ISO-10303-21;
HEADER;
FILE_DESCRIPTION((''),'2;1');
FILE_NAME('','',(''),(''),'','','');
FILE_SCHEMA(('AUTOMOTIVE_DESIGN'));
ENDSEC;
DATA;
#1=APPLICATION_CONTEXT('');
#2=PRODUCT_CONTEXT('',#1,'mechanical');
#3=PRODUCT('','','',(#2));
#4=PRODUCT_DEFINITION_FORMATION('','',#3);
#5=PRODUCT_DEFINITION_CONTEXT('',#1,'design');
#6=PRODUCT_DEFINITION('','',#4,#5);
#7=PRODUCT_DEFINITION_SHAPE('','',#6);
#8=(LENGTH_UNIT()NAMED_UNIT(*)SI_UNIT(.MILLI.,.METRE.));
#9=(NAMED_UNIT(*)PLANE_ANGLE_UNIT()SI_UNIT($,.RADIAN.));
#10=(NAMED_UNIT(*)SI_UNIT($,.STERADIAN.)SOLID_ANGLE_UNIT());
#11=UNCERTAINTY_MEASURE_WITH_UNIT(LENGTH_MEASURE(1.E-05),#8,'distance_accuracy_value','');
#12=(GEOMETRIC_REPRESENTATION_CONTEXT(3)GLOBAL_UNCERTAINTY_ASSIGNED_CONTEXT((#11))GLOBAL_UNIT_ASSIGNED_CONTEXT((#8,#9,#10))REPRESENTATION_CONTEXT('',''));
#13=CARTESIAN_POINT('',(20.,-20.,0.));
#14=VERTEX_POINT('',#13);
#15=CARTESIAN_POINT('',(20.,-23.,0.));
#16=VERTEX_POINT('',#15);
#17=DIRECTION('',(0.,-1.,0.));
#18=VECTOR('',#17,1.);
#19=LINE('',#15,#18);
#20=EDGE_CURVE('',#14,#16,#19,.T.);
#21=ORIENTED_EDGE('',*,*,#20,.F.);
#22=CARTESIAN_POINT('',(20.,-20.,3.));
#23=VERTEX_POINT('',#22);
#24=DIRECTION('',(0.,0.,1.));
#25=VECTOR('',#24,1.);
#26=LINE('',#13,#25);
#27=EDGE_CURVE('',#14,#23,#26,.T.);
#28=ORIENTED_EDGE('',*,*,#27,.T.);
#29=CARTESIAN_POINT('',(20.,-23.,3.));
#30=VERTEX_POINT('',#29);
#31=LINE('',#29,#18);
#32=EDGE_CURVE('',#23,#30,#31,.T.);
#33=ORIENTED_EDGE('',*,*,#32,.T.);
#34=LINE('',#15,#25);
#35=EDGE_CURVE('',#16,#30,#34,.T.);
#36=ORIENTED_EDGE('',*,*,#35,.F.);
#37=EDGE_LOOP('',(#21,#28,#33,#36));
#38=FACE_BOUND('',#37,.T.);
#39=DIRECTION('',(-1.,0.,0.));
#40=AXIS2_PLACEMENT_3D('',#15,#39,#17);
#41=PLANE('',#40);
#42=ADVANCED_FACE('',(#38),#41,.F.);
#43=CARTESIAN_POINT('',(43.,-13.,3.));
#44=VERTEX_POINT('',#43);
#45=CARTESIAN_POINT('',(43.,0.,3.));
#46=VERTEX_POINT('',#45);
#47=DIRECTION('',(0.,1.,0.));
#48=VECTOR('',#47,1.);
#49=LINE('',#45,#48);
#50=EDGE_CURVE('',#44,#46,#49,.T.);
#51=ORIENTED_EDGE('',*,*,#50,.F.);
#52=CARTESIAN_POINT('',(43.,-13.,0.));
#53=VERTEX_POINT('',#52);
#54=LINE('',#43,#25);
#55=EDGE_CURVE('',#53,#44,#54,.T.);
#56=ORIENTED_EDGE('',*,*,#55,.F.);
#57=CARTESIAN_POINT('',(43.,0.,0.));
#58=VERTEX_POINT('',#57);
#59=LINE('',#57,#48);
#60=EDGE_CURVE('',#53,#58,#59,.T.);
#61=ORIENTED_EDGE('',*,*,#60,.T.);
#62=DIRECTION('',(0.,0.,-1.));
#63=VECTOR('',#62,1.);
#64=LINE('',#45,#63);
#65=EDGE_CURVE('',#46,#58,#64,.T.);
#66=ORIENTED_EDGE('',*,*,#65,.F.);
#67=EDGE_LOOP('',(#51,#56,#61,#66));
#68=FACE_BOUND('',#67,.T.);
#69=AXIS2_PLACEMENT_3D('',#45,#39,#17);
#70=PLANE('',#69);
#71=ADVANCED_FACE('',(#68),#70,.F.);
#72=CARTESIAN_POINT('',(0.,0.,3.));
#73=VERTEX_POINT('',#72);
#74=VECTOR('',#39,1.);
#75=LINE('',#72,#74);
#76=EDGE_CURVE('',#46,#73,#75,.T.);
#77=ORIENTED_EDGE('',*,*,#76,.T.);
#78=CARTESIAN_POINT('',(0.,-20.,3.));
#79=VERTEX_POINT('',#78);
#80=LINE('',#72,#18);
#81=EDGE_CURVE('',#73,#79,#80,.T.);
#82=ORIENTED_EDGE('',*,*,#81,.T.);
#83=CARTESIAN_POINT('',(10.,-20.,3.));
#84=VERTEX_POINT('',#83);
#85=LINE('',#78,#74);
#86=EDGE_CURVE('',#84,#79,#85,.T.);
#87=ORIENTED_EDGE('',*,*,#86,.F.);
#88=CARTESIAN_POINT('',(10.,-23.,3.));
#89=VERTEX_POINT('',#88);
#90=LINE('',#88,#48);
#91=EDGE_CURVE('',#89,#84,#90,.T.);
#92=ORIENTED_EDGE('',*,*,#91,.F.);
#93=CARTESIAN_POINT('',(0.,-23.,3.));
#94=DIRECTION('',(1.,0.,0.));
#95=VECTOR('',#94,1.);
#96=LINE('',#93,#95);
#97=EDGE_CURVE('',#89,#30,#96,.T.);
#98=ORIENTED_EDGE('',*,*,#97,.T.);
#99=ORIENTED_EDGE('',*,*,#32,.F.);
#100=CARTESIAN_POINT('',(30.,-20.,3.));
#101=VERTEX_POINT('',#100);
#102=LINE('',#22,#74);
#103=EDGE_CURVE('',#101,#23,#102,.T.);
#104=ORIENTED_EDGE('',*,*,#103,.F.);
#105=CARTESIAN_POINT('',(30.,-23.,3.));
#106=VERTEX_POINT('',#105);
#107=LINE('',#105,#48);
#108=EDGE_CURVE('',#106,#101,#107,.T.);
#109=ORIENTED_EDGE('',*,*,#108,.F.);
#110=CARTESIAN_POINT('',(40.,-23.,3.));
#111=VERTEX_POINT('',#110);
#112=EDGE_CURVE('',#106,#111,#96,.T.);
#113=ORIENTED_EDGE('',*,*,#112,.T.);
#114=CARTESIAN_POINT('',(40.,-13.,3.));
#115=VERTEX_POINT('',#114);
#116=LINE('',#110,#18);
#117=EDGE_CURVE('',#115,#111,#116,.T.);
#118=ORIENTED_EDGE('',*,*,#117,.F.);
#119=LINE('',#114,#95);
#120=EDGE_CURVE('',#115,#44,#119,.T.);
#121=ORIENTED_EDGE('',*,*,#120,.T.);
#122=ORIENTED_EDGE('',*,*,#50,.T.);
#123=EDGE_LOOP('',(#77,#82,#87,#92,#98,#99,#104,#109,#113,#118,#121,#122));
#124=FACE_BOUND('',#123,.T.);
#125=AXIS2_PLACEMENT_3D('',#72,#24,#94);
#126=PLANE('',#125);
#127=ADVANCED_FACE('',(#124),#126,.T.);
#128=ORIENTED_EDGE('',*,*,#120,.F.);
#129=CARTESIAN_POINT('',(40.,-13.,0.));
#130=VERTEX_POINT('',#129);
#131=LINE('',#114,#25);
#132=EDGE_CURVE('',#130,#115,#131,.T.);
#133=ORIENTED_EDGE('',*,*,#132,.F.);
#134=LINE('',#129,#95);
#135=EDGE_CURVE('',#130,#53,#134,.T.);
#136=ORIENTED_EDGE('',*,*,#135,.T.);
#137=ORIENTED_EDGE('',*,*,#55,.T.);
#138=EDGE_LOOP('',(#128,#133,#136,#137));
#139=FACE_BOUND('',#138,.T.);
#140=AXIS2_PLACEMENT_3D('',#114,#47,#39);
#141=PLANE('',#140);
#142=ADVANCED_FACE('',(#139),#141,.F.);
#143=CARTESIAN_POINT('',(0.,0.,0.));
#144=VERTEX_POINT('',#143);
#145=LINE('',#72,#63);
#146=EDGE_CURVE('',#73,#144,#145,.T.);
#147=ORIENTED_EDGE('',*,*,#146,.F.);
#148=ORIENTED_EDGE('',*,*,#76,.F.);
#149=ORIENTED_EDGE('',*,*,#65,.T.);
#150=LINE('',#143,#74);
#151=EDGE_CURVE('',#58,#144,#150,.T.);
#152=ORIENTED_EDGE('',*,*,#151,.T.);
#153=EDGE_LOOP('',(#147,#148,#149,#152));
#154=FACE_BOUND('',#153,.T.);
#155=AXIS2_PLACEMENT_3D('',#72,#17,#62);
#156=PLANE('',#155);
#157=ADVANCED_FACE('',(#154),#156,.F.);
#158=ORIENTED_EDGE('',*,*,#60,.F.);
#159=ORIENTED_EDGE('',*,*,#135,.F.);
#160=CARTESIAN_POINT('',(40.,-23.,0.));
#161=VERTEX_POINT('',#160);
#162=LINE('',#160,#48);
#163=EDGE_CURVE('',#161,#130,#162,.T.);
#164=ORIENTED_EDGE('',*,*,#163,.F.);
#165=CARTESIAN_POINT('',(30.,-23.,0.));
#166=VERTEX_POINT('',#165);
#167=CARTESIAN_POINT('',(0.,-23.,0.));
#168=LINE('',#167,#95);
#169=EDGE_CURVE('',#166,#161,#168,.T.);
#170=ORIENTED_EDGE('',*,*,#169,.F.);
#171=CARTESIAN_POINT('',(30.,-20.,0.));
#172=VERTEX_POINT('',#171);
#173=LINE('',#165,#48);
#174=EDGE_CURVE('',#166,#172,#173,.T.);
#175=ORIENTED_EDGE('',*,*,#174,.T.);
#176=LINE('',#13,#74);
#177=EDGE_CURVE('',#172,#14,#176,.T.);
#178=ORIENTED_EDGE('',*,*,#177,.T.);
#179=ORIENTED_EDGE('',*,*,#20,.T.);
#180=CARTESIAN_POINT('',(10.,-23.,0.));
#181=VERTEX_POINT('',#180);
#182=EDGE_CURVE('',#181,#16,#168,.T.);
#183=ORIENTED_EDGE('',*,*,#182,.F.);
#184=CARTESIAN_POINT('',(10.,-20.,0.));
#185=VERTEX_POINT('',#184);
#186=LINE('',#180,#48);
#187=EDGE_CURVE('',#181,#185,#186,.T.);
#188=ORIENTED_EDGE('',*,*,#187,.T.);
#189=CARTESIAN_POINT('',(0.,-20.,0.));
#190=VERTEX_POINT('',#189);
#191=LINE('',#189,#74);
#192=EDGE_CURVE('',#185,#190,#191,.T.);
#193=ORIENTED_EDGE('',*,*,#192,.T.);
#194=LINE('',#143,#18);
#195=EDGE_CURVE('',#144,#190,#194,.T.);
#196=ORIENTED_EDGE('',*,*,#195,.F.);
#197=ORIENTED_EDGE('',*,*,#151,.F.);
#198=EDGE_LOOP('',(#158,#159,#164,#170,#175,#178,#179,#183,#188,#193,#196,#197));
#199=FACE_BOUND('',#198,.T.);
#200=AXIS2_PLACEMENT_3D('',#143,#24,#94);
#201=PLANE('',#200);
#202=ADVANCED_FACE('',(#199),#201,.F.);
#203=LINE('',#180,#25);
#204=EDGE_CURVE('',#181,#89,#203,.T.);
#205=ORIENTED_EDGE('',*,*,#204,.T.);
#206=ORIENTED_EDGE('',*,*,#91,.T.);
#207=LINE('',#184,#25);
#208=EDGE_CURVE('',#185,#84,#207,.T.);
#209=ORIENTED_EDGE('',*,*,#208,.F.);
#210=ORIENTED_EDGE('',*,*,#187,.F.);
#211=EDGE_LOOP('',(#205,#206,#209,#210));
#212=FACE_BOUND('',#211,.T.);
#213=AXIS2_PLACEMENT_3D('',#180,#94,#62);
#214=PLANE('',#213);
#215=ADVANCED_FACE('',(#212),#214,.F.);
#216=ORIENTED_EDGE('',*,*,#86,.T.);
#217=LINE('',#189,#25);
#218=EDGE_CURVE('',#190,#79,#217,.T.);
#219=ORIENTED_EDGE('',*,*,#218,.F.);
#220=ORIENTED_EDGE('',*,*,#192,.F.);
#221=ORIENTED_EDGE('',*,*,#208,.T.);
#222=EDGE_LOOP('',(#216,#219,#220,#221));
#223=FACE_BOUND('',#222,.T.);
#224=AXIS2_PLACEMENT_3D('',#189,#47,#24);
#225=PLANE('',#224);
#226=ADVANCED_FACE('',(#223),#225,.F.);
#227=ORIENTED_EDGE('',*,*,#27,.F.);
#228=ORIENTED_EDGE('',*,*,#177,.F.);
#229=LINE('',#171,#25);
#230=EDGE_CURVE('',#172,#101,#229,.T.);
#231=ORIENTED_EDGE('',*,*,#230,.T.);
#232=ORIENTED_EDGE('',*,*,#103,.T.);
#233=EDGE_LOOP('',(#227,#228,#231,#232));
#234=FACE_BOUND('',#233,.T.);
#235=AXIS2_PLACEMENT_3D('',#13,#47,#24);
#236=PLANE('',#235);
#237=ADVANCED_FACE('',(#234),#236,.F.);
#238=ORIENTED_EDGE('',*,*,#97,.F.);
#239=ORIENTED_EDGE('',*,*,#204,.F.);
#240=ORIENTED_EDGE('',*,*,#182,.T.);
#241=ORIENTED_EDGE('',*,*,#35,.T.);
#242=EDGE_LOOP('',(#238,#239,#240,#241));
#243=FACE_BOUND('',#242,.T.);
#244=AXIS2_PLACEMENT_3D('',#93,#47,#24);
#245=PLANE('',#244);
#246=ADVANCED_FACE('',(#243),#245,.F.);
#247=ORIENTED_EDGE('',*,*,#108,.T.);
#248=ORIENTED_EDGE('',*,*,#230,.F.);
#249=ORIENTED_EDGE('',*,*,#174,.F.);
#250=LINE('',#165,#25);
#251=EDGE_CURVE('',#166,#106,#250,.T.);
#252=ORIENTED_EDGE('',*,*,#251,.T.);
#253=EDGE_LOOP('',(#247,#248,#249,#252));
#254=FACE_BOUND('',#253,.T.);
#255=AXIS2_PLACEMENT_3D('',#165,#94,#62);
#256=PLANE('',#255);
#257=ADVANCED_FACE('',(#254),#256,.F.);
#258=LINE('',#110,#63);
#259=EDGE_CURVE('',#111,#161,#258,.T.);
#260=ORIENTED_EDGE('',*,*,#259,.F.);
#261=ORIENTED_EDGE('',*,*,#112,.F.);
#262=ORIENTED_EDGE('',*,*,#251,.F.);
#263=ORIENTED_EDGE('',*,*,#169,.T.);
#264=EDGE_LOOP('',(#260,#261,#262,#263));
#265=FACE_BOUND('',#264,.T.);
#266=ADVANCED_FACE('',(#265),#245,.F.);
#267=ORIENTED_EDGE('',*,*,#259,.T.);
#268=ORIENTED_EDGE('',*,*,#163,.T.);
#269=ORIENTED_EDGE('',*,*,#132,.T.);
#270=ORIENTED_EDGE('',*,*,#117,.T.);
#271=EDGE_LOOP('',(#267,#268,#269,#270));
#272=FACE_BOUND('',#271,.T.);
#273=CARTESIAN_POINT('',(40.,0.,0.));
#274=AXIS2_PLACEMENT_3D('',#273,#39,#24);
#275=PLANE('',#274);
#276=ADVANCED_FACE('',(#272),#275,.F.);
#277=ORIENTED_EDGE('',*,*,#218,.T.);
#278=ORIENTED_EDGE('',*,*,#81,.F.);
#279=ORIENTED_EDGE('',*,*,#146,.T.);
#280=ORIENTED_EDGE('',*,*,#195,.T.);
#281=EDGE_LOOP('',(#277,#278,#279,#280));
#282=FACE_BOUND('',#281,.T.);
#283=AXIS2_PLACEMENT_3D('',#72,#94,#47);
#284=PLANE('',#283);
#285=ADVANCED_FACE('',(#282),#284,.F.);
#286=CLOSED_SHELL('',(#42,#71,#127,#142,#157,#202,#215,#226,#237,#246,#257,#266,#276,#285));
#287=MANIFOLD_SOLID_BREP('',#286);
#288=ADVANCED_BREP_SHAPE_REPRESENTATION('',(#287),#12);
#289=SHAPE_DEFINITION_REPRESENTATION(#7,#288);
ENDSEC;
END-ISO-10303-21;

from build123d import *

# Parameters (mm, degrees)
ESQUISSE1_W                = 43
ESQUISSE1_H                = 23
BOSS_EXTRU_1_DEPTH         = 3
ESQUISSE2_W                = 3
ESQUISSE2_H                = 10
ENL_V_MAT_EXTRU_1_DEPTH    = 3
ESQUISSE3_W                = 10
ESQUISSE3_H                = 3
ENL_V_MAT_EXTRU_2_DEPTH    = 3
R_P_TITION_LIN_AIRE1_COUNT = 2
R_P_TITION_LIN_AIRE1_PITCH = 20


with BuildPart() as part:
    # Esquisse1 → Boss.-Extru.1 (new body)
    with BuildSketch(Plane.XY):
        with Locations((21.5, -11.5)):
            Rectangle(ESQUISSE1_W, ESQUISSE1_H)
    extrude(amount=BOSS_EXTRU_1_DEPTH)

    # Esquisse2 → Enlèv. mat.-Extru.1 (cut)
    with BuildSketch(Plane(origin=(43, 0, 0), x_dir=(0, 0, -1), z_dir=(1, 0, 0))):
        with Locations((-1.5, -18)):
            Rectangle(ESQUISSE2_W, ESQUISSE2_H)
    extrude(amount=-ENL_V_MAT_EXTRU_1_DEPTH, mode=Mode.SUBTRACT)

    # Esquisse3 → Enlèv. mat.-Extru.2 (cut)
    with BuildSketch(Plane.XY.offset(3)):
        with Locations((5, -21.5)):
            Rectangle(ESQUISSE3_W, ESQUISSE3_H)
    enl_v_mat_extru_2 = extrude(amount=-ENL_V_MAT_EXTRU_2_DEPTH, mode=Mode.SUBTRACT)

    # Répétition linéaire1: Enlèv. mat.-Extru.2 ×2
    with Locations(*[(i * R_P_TITION_LIN_AIRE1_PITCH, 0, 0) for i in range(1, R_P_TITION_LIN_AIRE1_COUNT)]):
        add(enl_v_mat_extru_2, mode=Mode.SUBTRACT)


solid = part.part
